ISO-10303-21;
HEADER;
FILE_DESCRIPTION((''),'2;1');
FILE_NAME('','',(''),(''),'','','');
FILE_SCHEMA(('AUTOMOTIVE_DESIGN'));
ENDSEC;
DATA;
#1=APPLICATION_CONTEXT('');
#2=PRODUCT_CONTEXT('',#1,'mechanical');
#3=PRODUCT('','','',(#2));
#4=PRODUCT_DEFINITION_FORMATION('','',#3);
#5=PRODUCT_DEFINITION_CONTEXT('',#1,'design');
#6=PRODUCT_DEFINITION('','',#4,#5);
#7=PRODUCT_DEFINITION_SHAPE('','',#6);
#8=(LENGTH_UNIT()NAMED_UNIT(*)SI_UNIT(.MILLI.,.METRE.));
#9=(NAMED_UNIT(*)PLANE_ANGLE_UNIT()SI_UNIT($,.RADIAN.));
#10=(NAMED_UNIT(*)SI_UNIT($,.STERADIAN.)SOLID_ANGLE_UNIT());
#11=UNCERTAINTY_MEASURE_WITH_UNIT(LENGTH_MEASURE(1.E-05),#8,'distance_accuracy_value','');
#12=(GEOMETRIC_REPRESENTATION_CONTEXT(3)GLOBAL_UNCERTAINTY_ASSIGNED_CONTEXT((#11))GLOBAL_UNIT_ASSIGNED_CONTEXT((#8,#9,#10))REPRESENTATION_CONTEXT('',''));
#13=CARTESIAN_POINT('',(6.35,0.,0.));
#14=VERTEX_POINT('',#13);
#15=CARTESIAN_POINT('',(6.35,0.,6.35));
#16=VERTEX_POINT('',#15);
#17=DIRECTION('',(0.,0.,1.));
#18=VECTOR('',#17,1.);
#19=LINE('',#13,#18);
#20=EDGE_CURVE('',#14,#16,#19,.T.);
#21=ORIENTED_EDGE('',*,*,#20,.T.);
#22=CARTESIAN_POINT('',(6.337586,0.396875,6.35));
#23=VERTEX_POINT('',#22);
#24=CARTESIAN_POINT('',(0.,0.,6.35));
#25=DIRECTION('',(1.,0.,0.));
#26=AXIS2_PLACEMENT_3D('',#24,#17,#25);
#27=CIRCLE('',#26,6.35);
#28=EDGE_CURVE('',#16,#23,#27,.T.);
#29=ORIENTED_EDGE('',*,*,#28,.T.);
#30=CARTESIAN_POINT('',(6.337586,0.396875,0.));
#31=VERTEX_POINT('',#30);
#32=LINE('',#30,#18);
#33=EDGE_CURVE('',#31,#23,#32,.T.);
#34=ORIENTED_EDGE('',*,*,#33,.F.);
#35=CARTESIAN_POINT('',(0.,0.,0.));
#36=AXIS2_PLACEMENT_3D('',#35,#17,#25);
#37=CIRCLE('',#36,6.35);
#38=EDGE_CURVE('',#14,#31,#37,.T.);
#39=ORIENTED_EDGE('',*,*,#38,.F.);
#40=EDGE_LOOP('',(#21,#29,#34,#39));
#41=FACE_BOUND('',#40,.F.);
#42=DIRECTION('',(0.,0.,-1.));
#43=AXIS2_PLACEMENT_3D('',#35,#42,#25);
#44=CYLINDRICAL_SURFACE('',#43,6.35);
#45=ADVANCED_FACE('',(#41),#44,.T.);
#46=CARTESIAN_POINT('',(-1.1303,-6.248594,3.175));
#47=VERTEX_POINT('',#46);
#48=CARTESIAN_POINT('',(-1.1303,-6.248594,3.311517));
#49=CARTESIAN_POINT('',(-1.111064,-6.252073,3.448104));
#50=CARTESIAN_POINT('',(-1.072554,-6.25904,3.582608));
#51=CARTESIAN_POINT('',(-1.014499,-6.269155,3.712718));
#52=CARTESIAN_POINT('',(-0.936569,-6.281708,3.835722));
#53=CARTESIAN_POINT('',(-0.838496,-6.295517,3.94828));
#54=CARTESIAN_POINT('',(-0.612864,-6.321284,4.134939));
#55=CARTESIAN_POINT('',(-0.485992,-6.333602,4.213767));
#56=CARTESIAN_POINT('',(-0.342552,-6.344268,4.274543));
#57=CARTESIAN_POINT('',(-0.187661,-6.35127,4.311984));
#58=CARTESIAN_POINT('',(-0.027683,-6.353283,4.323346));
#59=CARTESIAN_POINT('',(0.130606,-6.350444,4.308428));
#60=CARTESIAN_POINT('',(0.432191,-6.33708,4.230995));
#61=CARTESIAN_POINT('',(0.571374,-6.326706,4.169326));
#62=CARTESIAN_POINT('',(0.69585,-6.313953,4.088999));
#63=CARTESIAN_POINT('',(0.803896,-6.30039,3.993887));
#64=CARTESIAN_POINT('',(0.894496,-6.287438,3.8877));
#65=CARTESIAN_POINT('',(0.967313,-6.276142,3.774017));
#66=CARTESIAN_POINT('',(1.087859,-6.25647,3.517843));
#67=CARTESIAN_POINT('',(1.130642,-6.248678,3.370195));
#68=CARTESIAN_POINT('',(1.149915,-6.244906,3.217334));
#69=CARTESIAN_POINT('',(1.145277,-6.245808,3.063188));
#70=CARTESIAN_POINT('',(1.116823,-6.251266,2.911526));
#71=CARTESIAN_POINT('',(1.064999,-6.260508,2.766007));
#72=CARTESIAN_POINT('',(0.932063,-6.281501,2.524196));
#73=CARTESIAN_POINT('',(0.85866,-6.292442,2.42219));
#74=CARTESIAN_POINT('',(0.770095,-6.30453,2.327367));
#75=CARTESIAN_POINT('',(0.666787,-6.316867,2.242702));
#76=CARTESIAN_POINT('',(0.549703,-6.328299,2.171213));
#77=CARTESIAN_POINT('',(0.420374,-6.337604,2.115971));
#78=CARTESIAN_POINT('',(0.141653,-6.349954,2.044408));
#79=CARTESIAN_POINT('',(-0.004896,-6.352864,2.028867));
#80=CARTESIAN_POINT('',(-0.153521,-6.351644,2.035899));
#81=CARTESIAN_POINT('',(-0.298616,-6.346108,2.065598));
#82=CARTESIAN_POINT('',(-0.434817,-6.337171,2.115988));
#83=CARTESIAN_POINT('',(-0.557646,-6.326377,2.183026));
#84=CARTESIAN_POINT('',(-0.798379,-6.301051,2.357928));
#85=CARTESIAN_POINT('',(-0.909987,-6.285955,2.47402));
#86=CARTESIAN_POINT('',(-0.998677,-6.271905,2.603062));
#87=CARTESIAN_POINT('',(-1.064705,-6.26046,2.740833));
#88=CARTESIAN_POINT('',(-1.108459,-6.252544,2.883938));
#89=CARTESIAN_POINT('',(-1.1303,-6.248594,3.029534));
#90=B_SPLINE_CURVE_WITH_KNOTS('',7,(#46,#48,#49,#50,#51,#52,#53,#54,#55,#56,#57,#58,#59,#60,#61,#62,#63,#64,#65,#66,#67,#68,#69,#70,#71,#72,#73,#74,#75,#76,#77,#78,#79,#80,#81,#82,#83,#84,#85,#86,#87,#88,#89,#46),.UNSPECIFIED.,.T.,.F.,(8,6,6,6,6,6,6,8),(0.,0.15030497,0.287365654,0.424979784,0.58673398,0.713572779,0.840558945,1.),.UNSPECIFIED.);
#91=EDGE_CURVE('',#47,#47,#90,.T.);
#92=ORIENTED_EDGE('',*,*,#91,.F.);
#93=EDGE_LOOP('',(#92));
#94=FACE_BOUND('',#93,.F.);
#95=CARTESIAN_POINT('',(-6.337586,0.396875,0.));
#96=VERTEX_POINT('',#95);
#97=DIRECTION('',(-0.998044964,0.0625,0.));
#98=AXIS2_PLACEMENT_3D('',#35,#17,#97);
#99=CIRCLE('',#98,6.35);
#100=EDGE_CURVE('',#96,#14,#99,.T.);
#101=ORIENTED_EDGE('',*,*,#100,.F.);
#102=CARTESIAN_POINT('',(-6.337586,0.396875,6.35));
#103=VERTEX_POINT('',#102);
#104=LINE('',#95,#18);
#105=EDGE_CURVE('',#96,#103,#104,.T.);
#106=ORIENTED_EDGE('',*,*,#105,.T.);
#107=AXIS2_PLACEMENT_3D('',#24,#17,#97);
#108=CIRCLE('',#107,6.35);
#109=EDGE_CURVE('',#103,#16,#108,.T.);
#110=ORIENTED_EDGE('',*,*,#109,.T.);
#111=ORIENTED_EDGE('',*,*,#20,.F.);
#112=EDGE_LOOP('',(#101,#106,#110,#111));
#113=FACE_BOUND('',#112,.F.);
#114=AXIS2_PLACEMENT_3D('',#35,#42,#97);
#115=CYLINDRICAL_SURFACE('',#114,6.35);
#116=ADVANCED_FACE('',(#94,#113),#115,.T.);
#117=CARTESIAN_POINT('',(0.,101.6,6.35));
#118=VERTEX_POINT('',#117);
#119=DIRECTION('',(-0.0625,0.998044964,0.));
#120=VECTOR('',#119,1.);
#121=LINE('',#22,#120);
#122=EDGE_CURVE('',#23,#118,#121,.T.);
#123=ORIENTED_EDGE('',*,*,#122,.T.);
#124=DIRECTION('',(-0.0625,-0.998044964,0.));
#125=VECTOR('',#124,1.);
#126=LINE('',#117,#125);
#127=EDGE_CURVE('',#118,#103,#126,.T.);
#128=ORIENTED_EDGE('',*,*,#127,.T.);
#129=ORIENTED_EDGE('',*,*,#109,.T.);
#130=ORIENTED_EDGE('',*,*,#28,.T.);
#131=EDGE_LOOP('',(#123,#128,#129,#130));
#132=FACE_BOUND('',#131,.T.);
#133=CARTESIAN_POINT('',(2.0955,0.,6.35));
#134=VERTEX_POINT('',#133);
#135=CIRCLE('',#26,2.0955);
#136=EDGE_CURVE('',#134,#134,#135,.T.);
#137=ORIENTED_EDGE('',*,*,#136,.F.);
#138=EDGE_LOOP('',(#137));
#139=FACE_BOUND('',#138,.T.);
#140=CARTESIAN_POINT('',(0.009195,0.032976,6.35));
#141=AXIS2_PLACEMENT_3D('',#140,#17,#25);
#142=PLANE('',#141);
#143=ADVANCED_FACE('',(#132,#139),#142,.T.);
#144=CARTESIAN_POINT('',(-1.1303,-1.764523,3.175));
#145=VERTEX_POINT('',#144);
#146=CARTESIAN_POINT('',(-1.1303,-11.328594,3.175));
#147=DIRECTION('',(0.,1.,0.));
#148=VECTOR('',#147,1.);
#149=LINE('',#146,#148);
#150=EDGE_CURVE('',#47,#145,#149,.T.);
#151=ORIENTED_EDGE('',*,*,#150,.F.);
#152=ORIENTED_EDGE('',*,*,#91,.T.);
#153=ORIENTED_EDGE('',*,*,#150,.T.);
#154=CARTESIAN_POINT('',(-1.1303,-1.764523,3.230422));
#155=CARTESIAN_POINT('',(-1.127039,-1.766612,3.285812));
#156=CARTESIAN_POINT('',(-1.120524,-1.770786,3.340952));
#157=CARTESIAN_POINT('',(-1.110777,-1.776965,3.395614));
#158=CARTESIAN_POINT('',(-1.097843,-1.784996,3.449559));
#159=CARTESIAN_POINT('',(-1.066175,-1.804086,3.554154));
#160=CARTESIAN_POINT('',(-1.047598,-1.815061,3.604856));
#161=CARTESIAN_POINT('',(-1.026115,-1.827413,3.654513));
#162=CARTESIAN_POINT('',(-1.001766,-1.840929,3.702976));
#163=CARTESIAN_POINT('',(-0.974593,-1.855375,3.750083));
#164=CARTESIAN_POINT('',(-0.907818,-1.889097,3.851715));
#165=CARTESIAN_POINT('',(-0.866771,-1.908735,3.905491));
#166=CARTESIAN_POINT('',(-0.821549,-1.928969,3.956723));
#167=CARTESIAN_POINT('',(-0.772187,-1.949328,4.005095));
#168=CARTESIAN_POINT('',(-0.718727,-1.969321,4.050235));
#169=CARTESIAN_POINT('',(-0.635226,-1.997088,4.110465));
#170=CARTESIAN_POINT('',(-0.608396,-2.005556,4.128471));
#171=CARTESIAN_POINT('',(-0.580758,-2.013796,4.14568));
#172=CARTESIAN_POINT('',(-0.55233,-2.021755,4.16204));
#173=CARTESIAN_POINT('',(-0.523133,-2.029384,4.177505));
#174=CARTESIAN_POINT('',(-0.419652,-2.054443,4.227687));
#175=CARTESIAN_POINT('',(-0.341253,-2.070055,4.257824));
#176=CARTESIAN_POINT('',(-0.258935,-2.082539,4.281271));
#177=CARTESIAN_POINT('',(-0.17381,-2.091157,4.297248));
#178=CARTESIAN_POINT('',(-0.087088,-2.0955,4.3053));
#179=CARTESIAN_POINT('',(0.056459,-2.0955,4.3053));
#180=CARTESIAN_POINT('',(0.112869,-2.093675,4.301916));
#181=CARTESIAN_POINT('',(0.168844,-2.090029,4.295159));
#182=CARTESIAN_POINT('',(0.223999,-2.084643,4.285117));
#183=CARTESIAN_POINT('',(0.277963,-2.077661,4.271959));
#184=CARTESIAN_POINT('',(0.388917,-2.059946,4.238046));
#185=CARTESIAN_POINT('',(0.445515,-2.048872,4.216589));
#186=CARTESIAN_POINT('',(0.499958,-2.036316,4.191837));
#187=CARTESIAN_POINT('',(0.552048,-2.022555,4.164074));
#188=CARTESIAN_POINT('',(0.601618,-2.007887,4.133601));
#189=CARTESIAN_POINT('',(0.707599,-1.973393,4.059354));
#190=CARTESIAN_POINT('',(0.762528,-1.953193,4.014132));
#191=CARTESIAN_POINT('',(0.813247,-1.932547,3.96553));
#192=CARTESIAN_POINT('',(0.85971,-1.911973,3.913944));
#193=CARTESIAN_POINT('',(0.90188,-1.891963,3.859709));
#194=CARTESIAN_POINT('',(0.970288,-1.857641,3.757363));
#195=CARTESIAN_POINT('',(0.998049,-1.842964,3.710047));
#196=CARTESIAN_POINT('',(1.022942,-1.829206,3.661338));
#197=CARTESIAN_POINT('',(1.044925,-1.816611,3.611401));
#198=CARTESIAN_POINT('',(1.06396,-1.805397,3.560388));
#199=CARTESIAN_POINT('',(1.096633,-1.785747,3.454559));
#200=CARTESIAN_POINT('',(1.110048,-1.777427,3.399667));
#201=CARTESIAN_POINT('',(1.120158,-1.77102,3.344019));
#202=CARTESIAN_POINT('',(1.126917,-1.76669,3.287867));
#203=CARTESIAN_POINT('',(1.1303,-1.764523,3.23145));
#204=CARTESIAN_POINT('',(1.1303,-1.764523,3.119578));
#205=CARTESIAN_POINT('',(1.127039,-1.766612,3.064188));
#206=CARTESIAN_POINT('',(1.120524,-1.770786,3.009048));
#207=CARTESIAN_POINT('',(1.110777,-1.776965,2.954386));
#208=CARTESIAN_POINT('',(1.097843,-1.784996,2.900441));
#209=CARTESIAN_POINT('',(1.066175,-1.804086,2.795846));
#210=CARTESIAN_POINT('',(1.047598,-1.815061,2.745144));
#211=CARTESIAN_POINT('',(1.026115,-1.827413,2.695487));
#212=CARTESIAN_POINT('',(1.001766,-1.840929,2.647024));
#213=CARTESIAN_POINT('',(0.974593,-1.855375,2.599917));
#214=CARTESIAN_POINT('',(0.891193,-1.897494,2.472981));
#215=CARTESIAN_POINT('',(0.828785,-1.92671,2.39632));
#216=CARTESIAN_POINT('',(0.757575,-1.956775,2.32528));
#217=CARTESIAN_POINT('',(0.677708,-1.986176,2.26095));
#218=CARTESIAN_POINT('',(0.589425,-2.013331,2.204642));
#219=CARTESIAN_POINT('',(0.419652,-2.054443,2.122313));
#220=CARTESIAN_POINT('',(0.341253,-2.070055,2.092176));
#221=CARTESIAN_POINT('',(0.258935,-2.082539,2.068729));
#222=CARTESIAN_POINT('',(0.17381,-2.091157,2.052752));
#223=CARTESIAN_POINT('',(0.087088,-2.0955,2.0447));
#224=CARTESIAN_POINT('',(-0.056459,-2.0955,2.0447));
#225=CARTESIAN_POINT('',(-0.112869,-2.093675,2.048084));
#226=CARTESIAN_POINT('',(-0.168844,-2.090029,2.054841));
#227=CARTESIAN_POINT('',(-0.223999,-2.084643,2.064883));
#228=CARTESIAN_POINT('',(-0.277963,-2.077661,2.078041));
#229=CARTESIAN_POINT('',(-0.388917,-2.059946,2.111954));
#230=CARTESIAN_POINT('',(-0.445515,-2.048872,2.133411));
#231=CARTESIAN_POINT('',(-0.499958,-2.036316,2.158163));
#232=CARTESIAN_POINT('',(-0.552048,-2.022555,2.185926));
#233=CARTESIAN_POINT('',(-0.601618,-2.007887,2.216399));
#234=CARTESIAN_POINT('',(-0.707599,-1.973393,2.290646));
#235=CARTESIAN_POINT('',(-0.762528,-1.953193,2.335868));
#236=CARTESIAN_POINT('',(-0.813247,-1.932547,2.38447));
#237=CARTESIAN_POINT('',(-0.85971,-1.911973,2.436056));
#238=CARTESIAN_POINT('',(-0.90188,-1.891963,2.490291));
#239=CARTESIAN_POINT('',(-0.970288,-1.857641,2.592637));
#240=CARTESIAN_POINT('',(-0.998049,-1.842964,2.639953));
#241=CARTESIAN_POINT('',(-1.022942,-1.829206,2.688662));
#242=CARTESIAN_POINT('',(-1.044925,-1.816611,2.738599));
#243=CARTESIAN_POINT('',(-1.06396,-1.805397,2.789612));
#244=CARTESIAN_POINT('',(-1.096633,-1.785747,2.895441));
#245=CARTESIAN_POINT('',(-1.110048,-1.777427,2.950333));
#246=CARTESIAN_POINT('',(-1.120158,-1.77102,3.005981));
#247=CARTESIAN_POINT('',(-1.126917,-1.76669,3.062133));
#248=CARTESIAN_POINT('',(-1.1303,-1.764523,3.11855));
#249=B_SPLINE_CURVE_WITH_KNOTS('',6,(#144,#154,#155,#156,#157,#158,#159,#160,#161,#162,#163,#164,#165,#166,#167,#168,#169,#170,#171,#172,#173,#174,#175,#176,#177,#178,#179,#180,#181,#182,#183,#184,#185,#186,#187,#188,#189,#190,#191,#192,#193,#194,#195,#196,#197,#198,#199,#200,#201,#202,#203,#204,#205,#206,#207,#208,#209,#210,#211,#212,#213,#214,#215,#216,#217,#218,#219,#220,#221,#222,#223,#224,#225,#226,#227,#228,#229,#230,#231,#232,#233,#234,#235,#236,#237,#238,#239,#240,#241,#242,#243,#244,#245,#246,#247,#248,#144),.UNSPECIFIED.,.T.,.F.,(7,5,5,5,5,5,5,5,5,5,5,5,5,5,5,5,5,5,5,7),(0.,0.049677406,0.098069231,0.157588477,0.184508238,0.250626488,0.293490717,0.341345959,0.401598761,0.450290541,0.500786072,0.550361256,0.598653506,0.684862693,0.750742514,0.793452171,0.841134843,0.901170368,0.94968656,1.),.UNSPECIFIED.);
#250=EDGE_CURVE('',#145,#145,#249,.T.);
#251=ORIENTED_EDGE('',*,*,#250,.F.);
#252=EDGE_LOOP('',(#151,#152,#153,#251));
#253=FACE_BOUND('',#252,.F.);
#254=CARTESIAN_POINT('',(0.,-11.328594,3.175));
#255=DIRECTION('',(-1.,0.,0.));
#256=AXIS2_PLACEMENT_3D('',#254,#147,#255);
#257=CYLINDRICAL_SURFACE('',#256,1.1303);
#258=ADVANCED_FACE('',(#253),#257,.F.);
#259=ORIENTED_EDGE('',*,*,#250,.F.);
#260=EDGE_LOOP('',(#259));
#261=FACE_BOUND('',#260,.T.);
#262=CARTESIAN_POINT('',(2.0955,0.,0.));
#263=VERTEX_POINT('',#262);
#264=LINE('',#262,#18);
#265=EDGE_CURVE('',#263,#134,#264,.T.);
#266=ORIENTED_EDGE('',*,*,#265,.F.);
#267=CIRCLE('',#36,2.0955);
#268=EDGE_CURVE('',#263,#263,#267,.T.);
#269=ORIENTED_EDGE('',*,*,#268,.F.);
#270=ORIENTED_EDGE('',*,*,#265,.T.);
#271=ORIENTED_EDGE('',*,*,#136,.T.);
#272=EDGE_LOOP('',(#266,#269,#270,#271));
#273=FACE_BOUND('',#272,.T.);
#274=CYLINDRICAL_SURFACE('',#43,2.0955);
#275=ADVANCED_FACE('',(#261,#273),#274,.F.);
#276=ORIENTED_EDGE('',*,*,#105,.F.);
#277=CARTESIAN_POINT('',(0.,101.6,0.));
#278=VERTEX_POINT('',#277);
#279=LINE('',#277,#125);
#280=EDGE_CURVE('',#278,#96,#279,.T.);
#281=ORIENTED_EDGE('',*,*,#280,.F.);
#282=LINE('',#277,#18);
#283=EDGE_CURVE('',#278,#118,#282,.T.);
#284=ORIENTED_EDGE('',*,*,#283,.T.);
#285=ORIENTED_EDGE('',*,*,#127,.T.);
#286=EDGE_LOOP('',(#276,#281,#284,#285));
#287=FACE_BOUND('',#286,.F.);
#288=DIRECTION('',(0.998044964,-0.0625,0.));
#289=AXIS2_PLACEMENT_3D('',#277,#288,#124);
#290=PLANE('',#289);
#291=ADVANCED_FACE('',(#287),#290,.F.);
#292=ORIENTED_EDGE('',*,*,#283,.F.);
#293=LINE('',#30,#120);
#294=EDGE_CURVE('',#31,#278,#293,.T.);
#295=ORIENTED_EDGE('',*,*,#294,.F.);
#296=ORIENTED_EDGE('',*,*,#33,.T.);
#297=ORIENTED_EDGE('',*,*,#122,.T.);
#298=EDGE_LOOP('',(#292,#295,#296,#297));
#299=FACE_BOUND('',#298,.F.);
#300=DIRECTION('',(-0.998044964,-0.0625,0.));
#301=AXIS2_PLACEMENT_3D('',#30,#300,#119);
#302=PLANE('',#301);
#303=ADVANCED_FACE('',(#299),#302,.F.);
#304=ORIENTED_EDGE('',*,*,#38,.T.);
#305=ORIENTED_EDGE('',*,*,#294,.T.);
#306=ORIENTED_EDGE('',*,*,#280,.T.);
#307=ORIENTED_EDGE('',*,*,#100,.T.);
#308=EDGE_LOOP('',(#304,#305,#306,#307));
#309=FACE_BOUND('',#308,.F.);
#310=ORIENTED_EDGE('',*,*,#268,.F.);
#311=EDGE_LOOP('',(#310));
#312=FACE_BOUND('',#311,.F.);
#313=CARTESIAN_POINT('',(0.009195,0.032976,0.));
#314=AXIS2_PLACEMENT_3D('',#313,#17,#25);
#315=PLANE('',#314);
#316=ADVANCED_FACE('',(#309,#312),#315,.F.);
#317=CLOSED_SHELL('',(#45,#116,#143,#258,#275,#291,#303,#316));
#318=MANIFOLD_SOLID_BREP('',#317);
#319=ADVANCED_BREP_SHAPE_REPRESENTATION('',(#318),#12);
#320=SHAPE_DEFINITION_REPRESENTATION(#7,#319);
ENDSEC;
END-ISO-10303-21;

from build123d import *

# Parameters (mm, degrees)
F0_R     = 2.0955
F1_DEPTH = 6.35
F5_D     = 2.2606
F5_DEPTH = 5.08
F5_START = 0.1014065
F5_TIP   = 0.6791527577


with BuildPart() as f1:
    # F0 (on Top) → F1 (new body)
    with BuildSketch(Plane.XY):
        with BuildLine():
            ThreePointArc((-6.3375855209, 0.396875), (-0.1985345593, -6.3468956214), (6.35, 0))
            ThreePointArc((6.35, 0), (6.3468956214, 0.1985345593), (6.3375855209, 0.396875))
            ThreePointArc((6.3375855209, 0.396875), (0, 6.35), (-6.3375855209, 0.396875))
        make_face()
        Circle(F0_R, mode=Mode.SUBTRACT)
        with BuildLine():
            ThreePointArc((-6.3375855209, 0.396875), (0, 6.35), (6.3375855209, 0.396875))
            Line((6.3375855209, 0.396875), (0, 101.6))
            Line((0, 101.6), (-6.3375855209, 0.396875))
        make_face()
    extrude(amount=F1_DEPTH)

    # F5
    # its depths count from where the whole tool has entered the part; down to there all is cleared
    with Locations(Plane.XZ.offset(6.35).offset(-F5_START)):
        with Locations((0, 3.175)):
            Hole(F5_D / 2, depth=F5_DEPTH)
            with Locations((0, 0, -(F5_DEPTH + F5_TIP / 2))):  # 118° drill point
                Cone(0, F5_D / 2, F5_TIP, mode=Mode.SUBTRACT)


solid = f1.part
